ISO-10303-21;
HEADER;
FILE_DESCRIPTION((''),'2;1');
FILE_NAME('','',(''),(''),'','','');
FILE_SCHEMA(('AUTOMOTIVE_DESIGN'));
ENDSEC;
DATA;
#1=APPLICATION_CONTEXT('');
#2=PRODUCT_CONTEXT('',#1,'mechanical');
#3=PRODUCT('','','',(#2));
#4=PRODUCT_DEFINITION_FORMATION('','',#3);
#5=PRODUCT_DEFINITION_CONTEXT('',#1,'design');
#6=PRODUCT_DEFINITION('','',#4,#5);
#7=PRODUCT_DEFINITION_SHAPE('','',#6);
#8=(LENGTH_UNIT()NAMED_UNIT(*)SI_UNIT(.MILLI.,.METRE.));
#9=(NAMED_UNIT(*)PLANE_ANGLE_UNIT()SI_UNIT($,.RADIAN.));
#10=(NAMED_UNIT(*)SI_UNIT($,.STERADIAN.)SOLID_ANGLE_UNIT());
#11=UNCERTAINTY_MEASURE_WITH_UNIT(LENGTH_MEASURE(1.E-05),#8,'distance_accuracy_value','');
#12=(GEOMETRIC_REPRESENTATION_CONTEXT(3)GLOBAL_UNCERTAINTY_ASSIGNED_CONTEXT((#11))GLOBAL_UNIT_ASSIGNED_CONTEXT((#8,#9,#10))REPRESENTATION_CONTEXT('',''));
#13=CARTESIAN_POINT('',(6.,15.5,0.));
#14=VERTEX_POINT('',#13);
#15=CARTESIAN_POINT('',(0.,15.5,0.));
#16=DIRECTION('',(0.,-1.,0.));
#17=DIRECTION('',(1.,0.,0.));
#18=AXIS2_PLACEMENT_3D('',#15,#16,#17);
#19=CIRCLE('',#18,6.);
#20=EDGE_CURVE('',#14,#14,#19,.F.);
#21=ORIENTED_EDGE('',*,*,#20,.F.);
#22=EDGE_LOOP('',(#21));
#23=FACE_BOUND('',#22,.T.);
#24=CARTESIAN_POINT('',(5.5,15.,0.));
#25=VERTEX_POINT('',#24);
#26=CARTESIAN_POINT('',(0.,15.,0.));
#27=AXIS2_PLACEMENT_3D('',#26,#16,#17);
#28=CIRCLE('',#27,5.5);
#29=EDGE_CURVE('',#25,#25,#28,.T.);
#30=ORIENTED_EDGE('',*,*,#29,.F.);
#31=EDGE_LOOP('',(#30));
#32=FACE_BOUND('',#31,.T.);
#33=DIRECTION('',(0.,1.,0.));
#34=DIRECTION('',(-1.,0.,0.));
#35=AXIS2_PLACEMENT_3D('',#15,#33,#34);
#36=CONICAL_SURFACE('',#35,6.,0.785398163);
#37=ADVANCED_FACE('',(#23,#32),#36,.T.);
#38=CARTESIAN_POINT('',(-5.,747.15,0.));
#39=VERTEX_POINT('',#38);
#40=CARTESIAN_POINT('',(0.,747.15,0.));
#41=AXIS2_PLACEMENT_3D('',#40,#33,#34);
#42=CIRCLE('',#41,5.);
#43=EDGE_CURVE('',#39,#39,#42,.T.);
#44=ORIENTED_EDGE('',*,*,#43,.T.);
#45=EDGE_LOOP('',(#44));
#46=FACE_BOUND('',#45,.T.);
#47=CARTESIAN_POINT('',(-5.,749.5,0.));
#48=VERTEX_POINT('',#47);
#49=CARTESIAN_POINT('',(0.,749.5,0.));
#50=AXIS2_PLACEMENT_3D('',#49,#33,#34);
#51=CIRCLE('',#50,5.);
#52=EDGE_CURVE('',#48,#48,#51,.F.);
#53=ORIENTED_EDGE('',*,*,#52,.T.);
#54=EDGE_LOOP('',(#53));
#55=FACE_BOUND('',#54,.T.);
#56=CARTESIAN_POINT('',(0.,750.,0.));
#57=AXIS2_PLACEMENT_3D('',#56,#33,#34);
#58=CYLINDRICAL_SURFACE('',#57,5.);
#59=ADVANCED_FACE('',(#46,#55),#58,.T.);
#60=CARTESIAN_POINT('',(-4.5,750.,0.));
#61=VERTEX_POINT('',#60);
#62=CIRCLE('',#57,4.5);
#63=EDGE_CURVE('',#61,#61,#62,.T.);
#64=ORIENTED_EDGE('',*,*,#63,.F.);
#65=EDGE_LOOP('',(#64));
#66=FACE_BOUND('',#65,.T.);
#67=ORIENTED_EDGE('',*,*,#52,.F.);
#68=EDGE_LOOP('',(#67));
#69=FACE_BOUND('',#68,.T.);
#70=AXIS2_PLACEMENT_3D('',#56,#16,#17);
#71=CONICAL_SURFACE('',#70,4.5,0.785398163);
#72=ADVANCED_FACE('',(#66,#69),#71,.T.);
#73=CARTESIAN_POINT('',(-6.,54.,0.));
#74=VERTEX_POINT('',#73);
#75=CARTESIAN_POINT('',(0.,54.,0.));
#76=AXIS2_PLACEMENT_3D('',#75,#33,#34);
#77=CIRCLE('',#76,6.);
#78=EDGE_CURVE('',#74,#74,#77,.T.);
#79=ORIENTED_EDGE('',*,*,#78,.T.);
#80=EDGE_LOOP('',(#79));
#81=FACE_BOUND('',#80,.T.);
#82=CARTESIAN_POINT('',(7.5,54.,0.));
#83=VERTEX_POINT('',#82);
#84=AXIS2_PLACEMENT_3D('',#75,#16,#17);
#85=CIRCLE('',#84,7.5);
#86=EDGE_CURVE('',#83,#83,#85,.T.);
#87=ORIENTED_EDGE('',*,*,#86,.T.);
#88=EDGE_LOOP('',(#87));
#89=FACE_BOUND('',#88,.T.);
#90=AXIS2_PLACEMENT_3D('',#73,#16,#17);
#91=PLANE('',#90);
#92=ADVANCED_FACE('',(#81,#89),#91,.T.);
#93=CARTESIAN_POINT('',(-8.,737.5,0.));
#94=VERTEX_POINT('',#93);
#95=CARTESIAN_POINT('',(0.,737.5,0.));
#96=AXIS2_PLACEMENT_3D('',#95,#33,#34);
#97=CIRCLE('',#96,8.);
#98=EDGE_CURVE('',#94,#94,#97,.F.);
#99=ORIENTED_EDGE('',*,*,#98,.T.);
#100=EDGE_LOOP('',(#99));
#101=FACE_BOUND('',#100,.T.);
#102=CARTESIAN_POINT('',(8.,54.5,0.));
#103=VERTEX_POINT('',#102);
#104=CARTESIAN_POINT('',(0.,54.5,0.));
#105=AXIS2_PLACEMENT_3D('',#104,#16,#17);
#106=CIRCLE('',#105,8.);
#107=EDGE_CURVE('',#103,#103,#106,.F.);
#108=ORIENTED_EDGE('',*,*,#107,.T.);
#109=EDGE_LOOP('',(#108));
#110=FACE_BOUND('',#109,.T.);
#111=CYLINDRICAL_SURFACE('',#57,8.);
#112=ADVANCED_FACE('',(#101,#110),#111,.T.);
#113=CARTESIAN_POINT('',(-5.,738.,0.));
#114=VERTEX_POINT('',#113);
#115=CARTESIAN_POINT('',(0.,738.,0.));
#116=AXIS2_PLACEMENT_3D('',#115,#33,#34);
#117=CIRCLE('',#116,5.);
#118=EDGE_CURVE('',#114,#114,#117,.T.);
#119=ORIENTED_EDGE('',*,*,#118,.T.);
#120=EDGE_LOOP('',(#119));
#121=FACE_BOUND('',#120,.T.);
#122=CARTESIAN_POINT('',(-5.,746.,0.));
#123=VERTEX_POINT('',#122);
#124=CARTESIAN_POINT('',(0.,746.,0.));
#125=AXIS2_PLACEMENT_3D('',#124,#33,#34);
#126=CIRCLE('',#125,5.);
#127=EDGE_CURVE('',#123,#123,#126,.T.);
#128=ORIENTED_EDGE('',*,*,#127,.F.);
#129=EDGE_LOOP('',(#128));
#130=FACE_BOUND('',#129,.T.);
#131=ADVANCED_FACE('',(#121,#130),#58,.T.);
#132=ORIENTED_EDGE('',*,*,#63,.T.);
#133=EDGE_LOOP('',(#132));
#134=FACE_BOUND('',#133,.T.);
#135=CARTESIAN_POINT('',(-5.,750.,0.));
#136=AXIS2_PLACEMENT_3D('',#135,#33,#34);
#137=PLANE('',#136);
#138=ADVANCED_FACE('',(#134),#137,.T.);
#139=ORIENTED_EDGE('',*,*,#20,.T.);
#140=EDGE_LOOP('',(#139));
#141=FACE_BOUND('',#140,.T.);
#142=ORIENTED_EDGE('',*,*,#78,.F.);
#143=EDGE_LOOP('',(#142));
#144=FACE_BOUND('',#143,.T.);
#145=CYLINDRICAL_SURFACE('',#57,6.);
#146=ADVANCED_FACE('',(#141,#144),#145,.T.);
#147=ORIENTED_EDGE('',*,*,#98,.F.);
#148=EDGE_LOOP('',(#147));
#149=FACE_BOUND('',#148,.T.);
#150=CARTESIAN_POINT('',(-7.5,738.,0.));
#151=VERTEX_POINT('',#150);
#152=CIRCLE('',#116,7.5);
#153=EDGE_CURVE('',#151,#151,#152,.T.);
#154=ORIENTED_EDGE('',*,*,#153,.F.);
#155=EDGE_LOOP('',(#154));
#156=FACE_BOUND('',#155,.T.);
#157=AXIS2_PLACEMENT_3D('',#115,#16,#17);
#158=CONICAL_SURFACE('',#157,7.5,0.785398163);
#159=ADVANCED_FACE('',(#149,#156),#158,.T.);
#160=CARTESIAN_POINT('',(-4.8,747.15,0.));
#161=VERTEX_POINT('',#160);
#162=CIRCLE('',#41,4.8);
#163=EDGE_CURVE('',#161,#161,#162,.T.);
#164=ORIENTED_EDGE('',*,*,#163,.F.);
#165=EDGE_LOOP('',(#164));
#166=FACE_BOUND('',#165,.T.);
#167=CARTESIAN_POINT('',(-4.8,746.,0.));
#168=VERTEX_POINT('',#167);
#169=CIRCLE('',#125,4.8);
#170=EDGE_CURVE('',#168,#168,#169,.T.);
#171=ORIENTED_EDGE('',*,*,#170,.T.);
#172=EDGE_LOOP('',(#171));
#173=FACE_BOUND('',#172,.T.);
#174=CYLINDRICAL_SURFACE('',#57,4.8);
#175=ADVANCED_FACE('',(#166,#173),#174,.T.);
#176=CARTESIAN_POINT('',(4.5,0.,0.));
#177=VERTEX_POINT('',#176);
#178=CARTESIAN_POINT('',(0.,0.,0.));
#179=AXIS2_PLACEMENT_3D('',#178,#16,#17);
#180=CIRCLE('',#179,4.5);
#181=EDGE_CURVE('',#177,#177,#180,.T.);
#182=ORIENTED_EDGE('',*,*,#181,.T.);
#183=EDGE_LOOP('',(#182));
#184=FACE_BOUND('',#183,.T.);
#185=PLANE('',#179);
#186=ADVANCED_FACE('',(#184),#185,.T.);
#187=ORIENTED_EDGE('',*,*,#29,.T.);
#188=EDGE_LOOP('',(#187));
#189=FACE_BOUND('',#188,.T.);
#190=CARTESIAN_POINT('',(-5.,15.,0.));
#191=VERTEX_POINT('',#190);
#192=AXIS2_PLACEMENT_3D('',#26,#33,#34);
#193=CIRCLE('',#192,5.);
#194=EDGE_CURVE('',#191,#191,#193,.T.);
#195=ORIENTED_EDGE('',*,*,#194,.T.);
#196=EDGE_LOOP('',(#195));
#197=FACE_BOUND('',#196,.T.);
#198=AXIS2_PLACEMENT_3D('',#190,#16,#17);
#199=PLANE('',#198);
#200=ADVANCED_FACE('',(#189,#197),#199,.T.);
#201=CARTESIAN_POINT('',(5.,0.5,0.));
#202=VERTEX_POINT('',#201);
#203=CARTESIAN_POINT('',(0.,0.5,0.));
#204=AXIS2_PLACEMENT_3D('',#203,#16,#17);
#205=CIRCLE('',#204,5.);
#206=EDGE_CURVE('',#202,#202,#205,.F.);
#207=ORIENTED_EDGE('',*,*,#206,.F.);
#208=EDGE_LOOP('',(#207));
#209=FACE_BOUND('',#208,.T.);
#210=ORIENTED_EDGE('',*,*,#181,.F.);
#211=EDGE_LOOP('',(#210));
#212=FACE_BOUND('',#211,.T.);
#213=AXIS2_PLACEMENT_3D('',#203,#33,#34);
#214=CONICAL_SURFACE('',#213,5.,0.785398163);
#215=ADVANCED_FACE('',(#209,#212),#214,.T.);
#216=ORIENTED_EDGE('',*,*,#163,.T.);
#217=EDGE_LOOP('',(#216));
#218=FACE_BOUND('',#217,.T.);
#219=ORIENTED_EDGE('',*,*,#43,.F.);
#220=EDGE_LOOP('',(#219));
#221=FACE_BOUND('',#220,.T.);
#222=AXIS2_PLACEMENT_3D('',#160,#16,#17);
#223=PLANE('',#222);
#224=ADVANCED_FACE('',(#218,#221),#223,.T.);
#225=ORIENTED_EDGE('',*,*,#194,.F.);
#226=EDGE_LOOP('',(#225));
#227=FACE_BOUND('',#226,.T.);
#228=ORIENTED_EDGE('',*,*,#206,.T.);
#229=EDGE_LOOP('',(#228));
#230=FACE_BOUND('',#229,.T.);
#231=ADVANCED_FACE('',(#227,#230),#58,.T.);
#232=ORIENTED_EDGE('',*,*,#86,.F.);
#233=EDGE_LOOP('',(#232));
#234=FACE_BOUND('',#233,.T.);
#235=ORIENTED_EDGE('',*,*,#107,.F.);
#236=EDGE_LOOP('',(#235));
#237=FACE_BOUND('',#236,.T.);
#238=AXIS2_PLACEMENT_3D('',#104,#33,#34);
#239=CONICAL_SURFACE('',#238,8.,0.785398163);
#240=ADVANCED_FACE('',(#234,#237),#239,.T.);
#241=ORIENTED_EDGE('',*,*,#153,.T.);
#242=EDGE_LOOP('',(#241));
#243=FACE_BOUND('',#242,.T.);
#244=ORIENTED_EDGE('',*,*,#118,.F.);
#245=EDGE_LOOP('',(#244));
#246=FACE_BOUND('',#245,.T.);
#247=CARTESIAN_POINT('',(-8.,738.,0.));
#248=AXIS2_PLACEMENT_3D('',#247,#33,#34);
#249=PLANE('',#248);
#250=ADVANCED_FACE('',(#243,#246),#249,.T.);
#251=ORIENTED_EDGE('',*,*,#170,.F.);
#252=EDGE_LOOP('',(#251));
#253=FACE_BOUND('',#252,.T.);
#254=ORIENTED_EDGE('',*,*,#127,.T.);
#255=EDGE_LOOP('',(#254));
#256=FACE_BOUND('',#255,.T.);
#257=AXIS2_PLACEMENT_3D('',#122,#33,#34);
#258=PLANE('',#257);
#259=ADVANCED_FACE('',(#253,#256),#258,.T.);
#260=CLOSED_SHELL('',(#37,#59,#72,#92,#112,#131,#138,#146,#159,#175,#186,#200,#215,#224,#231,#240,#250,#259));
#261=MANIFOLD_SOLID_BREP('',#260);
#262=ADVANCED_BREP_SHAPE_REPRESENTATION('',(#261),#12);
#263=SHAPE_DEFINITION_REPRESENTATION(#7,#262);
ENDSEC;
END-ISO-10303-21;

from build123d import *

# Parameters (mm, degrees)
CHAMFER_1_SIZE = 0.5


with BuildPart() as part:
    # Эскиз1 → Повернуть1 (revolve)
    with BuildSketch(Plane.XY):
        Polygon((0, 0), (-5, 0), (-5, 15), (-6, 15), (-6, 54), (-8, 54), (-8, 738), (-5, 738), (-5, 746), (-4.8, 746), (-4.8, 747.15), (-5, 747.15), (-5, 750), (0, 750), align=None)
    revolve(axis=Axis((0, 750, 0), (0, -1, 0)))

    # Фаска1
    chamfer_1_edges = [part.edges().sort_by_distance(p)[0] for p in [
        (8, 738, 0),
        (8, 54, 0),
        (6, 15, 0),
        (5, 0, 0),
        (5, 750, 0),
    ]]
    chamfer(chamfer_1_edges, length=CHAMFER_1_SIZE)


solid = part.part
